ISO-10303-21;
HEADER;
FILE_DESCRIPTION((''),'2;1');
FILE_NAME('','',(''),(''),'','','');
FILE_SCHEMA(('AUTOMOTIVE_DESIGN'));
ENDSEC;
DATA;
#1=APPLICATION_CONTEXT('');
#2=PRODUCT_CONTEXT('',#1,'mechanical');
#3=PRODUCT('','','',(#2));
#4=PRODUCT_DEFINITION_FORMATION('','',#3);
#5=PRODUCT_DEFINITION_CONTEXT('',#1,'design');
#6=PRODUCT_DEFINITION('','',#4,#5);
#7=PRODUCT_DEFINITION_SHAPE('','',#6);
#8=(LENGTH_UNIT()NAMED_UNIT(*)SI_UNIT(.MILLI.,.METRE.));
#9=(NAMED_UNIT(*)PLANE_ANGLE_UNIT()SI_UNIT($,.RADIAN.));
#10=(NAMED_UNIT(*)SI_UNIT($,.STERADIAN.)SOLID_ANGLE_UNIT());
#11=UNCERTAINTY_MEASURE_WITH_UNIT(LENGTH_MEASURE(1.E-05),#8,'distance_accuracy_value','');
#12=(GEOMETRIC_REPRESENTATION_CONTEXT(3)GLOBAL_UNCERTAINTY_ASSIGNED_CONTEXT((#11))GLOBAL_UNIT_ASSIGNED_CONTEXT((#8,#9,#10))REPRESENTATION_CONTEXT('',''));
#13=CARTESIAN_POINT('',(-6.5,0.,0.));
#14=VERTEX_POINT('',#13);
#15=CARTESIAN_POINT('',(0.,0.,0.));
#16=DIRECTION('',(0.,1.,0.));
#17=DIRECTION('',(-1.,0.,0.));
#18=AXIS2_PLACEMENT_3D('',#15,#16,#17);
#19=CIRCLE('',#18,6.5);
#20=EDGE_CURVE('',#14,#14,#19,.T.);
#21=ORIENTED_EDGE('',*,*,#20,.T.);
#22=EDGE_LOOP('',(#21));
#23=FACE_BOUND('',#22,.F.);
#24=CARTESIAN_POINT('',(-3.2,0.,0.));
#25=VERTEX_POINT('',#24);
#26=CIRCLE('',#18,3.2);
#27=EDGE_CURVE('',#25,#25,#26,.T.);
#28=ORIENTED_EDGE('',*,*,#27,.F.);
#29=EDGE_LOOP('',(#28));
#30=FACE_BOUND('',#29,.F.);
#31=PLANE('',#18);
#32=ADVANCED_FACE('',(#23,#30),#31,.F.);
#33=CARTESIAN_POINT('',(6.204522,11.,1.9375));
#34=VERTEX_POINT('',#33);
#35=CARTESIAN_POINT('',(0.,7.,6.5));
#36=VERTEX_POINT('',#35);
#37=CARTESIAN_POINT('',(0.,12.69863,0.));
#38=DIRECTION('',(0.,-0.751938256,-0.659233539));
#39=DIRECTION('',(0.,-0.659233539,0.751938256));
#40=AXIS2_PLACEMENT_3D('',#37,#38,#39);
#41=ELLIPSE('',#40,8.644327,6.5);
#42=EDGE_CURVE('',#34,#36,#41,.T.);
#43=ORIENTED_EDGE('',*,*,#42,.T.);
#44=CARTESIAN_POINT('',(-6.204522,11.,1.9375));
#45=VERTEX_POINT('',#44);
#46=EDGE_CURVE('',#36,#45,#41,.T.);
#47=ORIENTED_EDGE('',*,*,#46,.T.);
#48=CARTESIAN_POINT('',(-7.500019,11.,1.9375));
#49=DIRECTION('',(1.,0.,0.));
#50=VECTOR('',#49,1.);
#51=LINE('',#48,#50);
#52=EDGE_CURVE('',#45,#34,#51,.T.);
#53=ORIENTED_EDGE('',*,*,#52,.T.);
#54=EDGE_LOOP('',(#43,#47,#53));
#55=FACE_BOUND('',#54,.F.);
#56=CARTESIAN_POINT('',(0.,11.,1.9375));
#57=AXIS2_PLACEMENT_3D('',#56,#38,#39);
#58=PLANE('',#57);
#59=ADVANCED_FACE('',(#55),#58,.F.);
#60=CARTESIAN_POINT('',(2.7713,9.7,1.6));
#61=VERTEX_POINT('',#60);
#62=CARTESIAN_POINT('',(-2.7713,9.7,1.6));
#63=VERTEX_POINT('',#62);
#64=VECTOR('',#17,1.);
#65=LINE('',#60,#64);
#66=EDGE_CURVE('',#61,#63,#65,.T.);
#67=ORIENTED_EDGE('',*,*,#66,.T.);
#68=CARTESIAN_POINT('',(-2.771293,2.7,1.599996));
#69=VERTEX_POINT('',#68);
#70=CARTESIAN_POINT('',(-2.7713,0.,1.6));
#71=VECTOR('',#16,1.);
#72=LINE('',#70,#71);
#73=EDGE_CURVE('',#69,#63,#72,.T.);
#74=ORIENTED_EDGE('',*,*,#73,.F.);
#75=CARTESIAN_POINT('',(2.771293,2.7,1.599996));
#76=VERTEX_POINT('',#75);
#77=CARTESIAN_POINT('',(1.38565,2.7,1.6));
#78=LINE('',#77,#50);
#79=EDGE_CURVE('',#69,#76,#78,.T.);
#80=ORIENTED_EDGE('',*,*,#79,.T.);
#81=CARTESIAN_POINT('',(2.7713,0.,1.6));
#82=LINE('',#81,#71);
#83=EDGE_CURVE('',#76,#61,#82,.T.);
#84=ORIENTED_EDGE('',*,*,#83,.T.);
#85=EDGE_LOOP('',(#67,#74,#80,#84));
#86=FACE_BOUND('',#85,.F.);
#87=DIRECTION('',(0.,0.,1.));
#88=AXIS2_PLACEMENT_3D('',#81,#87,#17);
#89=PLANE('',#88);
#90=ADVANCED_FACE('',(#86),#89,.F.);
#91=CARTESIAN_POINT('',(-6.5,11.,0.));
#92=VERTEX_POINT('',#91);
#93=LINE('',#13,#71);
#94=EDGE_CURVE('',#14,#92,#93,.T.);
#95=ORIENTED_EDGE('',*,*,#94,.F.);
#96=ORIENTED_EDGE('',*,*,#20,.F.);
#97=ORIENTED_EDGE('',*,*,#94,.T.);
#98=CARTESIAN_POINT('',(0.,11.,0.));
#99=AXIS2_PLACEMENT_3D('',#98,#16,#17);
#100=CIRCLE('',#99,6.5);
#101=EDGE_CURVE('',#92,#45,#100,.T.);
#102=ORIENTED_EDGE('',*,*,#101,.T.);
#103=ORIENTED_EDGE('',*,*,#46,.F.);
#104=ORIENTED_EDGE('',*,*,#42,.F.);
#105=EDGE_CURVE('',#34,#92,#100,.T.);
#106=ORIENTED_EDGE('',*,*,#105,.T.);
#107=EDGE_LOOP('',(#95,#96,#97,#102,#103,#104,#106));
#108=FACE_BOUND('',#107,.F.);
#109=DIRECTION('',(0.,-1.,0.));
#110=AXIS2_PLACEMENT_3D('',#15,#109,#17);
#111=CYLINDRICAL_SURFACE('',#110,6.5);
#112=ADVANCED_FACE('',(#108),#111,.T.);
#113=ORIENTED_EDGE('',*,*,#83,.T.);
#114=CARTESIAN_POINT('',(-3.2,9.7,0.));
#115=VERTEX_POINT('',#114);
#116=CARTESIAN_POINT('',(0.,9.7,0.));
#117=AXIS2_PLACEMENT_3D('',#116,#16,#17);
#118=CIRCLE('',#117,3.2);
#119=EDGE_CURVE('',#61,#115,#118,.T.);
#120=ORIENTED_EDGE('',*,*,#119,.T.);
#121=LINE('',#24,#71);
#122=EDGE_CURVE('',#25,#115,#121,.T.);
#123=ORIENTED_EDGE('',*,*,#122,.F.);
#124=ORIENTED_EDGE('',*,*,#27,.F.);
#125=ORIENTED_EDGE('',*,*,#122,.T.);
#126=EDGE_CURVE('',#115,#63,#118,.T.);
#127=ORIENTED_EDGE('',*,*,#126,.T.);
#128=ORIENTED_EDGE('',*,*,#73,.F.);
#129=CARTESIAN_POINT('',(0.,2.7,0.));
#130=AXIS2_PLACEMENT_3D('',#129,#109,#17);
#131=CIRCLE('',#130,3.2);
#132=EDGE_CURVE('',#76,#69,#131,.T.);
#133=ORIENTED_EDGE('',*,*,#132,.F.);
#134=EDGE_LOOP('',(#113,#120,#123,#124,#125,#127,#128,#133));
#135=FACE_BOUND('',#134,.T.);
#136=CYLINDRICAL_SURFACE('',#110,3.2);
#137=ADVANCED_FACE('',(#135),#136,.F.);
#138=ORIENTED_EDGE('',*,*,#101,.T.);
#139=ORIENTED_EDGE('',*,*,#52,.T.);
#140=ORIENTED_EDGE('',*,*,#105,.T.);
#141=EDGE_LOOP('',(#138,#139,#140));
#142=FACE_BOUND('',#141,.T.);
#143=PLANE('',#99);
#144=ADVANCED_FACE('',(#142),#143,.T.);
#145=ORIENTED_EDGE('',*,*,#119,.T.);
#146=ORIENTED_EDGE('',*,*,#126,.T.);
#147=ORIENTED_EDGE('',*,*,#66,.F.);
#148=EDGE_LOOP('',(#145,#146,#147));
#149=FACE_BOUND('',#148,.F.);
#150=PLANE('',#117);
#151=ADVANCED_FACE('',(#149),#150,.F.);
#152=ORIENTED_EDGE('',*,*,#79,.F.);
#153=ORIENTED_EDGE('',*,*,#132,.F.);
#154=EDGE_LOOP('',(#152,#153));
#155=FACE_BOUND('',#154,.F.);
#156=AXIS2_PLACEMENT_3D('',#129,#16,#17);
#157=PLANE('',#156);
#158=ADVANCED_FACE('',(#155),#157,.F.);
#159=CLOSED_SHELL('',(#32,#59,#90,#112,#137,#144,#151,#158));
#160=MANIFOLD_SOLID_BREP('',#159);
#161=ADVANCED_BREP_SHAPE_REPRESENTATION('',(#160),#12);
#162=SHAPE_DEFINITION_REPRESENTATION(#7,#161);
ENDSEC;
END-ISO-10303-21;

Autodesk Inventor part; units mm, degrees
ref_plane "YZ Plane" through (0, 0, 0) normal (1, 0, 0) x (0, 1, 0)
ref_plane "XZ Plane" through (0, 0, 0) normal (0, 1, 0) x (-1, 0, 0)
ref_plane "XY Plane" through (0, 0, 0) normal (0, 0, 1) x (1, 0, 0)
sketch "Sketch1" plane through (0, 0, 0) normal (0, 1, 0) x (-1, 0, 0)
  circle A0 centre (0, 0) radius 3.2
  circle A1 centre (0, 0) radius 6.5
  line L0 (-2.7713, 1.6) -> (2.7713, 1.6)
  dimension "d0" = 6.4
  dimension "d2" = 13
  dimension "d7" = 4.8
extrude "Extrusion1" add sketch "Sketch1" along normal blind 11 contours A0 L0 | L0 A0 | A1
extrude "Extrusion2" cut sketch "Sketch1" along normal blind 2.7 contours A0 L0 | L0 A0
extrude "Extrusion3" cut sketch "Sketch1" along normal blind 9.7 contours A0 L0 picked at (-0.1715, -0.3975)
sketch "Sketch3" plane through (0, 0, 0) normal (1, 0, 0) x (0, 1, 0)
  line L0 (0, 6.5) -> (11, 6.5) projected
  line L1 (11, 6.5) -> (11, -6.5) projected
  line L2 (11, -6.5) -> (0, -6.5) projected
  line L3 (0, -6.5) -> (0, -3.2) projected
  line L4 (0, -3.2) -> (9.7, -3.2) projected
  line L5 (9.7, -3.2) -> (9.7, 1.6) projected
  line L6 (9.7, 1.6) -> (2.7, 1.6) projected
  line L7 (2.7, 1.6) -> (2.7, 3.2) projected
  line L8 (2.7, 3.2) -> (0, 3.2) projected
  line L9 (0, 3.2) -> (0, 6.5) projected
  line L10 (11, 1.9375) -> (7, 6.5)
  point P0 (0, 0)
  dimension "d12" = 1.2
  dimension "d13" = 7
extrude "Extrusion5" cut sketch "Sketch3" along normal through all both and the other way through all contours L0 L1 L10
equation "\"offset\" = 0.2"
properties part number "knob"
